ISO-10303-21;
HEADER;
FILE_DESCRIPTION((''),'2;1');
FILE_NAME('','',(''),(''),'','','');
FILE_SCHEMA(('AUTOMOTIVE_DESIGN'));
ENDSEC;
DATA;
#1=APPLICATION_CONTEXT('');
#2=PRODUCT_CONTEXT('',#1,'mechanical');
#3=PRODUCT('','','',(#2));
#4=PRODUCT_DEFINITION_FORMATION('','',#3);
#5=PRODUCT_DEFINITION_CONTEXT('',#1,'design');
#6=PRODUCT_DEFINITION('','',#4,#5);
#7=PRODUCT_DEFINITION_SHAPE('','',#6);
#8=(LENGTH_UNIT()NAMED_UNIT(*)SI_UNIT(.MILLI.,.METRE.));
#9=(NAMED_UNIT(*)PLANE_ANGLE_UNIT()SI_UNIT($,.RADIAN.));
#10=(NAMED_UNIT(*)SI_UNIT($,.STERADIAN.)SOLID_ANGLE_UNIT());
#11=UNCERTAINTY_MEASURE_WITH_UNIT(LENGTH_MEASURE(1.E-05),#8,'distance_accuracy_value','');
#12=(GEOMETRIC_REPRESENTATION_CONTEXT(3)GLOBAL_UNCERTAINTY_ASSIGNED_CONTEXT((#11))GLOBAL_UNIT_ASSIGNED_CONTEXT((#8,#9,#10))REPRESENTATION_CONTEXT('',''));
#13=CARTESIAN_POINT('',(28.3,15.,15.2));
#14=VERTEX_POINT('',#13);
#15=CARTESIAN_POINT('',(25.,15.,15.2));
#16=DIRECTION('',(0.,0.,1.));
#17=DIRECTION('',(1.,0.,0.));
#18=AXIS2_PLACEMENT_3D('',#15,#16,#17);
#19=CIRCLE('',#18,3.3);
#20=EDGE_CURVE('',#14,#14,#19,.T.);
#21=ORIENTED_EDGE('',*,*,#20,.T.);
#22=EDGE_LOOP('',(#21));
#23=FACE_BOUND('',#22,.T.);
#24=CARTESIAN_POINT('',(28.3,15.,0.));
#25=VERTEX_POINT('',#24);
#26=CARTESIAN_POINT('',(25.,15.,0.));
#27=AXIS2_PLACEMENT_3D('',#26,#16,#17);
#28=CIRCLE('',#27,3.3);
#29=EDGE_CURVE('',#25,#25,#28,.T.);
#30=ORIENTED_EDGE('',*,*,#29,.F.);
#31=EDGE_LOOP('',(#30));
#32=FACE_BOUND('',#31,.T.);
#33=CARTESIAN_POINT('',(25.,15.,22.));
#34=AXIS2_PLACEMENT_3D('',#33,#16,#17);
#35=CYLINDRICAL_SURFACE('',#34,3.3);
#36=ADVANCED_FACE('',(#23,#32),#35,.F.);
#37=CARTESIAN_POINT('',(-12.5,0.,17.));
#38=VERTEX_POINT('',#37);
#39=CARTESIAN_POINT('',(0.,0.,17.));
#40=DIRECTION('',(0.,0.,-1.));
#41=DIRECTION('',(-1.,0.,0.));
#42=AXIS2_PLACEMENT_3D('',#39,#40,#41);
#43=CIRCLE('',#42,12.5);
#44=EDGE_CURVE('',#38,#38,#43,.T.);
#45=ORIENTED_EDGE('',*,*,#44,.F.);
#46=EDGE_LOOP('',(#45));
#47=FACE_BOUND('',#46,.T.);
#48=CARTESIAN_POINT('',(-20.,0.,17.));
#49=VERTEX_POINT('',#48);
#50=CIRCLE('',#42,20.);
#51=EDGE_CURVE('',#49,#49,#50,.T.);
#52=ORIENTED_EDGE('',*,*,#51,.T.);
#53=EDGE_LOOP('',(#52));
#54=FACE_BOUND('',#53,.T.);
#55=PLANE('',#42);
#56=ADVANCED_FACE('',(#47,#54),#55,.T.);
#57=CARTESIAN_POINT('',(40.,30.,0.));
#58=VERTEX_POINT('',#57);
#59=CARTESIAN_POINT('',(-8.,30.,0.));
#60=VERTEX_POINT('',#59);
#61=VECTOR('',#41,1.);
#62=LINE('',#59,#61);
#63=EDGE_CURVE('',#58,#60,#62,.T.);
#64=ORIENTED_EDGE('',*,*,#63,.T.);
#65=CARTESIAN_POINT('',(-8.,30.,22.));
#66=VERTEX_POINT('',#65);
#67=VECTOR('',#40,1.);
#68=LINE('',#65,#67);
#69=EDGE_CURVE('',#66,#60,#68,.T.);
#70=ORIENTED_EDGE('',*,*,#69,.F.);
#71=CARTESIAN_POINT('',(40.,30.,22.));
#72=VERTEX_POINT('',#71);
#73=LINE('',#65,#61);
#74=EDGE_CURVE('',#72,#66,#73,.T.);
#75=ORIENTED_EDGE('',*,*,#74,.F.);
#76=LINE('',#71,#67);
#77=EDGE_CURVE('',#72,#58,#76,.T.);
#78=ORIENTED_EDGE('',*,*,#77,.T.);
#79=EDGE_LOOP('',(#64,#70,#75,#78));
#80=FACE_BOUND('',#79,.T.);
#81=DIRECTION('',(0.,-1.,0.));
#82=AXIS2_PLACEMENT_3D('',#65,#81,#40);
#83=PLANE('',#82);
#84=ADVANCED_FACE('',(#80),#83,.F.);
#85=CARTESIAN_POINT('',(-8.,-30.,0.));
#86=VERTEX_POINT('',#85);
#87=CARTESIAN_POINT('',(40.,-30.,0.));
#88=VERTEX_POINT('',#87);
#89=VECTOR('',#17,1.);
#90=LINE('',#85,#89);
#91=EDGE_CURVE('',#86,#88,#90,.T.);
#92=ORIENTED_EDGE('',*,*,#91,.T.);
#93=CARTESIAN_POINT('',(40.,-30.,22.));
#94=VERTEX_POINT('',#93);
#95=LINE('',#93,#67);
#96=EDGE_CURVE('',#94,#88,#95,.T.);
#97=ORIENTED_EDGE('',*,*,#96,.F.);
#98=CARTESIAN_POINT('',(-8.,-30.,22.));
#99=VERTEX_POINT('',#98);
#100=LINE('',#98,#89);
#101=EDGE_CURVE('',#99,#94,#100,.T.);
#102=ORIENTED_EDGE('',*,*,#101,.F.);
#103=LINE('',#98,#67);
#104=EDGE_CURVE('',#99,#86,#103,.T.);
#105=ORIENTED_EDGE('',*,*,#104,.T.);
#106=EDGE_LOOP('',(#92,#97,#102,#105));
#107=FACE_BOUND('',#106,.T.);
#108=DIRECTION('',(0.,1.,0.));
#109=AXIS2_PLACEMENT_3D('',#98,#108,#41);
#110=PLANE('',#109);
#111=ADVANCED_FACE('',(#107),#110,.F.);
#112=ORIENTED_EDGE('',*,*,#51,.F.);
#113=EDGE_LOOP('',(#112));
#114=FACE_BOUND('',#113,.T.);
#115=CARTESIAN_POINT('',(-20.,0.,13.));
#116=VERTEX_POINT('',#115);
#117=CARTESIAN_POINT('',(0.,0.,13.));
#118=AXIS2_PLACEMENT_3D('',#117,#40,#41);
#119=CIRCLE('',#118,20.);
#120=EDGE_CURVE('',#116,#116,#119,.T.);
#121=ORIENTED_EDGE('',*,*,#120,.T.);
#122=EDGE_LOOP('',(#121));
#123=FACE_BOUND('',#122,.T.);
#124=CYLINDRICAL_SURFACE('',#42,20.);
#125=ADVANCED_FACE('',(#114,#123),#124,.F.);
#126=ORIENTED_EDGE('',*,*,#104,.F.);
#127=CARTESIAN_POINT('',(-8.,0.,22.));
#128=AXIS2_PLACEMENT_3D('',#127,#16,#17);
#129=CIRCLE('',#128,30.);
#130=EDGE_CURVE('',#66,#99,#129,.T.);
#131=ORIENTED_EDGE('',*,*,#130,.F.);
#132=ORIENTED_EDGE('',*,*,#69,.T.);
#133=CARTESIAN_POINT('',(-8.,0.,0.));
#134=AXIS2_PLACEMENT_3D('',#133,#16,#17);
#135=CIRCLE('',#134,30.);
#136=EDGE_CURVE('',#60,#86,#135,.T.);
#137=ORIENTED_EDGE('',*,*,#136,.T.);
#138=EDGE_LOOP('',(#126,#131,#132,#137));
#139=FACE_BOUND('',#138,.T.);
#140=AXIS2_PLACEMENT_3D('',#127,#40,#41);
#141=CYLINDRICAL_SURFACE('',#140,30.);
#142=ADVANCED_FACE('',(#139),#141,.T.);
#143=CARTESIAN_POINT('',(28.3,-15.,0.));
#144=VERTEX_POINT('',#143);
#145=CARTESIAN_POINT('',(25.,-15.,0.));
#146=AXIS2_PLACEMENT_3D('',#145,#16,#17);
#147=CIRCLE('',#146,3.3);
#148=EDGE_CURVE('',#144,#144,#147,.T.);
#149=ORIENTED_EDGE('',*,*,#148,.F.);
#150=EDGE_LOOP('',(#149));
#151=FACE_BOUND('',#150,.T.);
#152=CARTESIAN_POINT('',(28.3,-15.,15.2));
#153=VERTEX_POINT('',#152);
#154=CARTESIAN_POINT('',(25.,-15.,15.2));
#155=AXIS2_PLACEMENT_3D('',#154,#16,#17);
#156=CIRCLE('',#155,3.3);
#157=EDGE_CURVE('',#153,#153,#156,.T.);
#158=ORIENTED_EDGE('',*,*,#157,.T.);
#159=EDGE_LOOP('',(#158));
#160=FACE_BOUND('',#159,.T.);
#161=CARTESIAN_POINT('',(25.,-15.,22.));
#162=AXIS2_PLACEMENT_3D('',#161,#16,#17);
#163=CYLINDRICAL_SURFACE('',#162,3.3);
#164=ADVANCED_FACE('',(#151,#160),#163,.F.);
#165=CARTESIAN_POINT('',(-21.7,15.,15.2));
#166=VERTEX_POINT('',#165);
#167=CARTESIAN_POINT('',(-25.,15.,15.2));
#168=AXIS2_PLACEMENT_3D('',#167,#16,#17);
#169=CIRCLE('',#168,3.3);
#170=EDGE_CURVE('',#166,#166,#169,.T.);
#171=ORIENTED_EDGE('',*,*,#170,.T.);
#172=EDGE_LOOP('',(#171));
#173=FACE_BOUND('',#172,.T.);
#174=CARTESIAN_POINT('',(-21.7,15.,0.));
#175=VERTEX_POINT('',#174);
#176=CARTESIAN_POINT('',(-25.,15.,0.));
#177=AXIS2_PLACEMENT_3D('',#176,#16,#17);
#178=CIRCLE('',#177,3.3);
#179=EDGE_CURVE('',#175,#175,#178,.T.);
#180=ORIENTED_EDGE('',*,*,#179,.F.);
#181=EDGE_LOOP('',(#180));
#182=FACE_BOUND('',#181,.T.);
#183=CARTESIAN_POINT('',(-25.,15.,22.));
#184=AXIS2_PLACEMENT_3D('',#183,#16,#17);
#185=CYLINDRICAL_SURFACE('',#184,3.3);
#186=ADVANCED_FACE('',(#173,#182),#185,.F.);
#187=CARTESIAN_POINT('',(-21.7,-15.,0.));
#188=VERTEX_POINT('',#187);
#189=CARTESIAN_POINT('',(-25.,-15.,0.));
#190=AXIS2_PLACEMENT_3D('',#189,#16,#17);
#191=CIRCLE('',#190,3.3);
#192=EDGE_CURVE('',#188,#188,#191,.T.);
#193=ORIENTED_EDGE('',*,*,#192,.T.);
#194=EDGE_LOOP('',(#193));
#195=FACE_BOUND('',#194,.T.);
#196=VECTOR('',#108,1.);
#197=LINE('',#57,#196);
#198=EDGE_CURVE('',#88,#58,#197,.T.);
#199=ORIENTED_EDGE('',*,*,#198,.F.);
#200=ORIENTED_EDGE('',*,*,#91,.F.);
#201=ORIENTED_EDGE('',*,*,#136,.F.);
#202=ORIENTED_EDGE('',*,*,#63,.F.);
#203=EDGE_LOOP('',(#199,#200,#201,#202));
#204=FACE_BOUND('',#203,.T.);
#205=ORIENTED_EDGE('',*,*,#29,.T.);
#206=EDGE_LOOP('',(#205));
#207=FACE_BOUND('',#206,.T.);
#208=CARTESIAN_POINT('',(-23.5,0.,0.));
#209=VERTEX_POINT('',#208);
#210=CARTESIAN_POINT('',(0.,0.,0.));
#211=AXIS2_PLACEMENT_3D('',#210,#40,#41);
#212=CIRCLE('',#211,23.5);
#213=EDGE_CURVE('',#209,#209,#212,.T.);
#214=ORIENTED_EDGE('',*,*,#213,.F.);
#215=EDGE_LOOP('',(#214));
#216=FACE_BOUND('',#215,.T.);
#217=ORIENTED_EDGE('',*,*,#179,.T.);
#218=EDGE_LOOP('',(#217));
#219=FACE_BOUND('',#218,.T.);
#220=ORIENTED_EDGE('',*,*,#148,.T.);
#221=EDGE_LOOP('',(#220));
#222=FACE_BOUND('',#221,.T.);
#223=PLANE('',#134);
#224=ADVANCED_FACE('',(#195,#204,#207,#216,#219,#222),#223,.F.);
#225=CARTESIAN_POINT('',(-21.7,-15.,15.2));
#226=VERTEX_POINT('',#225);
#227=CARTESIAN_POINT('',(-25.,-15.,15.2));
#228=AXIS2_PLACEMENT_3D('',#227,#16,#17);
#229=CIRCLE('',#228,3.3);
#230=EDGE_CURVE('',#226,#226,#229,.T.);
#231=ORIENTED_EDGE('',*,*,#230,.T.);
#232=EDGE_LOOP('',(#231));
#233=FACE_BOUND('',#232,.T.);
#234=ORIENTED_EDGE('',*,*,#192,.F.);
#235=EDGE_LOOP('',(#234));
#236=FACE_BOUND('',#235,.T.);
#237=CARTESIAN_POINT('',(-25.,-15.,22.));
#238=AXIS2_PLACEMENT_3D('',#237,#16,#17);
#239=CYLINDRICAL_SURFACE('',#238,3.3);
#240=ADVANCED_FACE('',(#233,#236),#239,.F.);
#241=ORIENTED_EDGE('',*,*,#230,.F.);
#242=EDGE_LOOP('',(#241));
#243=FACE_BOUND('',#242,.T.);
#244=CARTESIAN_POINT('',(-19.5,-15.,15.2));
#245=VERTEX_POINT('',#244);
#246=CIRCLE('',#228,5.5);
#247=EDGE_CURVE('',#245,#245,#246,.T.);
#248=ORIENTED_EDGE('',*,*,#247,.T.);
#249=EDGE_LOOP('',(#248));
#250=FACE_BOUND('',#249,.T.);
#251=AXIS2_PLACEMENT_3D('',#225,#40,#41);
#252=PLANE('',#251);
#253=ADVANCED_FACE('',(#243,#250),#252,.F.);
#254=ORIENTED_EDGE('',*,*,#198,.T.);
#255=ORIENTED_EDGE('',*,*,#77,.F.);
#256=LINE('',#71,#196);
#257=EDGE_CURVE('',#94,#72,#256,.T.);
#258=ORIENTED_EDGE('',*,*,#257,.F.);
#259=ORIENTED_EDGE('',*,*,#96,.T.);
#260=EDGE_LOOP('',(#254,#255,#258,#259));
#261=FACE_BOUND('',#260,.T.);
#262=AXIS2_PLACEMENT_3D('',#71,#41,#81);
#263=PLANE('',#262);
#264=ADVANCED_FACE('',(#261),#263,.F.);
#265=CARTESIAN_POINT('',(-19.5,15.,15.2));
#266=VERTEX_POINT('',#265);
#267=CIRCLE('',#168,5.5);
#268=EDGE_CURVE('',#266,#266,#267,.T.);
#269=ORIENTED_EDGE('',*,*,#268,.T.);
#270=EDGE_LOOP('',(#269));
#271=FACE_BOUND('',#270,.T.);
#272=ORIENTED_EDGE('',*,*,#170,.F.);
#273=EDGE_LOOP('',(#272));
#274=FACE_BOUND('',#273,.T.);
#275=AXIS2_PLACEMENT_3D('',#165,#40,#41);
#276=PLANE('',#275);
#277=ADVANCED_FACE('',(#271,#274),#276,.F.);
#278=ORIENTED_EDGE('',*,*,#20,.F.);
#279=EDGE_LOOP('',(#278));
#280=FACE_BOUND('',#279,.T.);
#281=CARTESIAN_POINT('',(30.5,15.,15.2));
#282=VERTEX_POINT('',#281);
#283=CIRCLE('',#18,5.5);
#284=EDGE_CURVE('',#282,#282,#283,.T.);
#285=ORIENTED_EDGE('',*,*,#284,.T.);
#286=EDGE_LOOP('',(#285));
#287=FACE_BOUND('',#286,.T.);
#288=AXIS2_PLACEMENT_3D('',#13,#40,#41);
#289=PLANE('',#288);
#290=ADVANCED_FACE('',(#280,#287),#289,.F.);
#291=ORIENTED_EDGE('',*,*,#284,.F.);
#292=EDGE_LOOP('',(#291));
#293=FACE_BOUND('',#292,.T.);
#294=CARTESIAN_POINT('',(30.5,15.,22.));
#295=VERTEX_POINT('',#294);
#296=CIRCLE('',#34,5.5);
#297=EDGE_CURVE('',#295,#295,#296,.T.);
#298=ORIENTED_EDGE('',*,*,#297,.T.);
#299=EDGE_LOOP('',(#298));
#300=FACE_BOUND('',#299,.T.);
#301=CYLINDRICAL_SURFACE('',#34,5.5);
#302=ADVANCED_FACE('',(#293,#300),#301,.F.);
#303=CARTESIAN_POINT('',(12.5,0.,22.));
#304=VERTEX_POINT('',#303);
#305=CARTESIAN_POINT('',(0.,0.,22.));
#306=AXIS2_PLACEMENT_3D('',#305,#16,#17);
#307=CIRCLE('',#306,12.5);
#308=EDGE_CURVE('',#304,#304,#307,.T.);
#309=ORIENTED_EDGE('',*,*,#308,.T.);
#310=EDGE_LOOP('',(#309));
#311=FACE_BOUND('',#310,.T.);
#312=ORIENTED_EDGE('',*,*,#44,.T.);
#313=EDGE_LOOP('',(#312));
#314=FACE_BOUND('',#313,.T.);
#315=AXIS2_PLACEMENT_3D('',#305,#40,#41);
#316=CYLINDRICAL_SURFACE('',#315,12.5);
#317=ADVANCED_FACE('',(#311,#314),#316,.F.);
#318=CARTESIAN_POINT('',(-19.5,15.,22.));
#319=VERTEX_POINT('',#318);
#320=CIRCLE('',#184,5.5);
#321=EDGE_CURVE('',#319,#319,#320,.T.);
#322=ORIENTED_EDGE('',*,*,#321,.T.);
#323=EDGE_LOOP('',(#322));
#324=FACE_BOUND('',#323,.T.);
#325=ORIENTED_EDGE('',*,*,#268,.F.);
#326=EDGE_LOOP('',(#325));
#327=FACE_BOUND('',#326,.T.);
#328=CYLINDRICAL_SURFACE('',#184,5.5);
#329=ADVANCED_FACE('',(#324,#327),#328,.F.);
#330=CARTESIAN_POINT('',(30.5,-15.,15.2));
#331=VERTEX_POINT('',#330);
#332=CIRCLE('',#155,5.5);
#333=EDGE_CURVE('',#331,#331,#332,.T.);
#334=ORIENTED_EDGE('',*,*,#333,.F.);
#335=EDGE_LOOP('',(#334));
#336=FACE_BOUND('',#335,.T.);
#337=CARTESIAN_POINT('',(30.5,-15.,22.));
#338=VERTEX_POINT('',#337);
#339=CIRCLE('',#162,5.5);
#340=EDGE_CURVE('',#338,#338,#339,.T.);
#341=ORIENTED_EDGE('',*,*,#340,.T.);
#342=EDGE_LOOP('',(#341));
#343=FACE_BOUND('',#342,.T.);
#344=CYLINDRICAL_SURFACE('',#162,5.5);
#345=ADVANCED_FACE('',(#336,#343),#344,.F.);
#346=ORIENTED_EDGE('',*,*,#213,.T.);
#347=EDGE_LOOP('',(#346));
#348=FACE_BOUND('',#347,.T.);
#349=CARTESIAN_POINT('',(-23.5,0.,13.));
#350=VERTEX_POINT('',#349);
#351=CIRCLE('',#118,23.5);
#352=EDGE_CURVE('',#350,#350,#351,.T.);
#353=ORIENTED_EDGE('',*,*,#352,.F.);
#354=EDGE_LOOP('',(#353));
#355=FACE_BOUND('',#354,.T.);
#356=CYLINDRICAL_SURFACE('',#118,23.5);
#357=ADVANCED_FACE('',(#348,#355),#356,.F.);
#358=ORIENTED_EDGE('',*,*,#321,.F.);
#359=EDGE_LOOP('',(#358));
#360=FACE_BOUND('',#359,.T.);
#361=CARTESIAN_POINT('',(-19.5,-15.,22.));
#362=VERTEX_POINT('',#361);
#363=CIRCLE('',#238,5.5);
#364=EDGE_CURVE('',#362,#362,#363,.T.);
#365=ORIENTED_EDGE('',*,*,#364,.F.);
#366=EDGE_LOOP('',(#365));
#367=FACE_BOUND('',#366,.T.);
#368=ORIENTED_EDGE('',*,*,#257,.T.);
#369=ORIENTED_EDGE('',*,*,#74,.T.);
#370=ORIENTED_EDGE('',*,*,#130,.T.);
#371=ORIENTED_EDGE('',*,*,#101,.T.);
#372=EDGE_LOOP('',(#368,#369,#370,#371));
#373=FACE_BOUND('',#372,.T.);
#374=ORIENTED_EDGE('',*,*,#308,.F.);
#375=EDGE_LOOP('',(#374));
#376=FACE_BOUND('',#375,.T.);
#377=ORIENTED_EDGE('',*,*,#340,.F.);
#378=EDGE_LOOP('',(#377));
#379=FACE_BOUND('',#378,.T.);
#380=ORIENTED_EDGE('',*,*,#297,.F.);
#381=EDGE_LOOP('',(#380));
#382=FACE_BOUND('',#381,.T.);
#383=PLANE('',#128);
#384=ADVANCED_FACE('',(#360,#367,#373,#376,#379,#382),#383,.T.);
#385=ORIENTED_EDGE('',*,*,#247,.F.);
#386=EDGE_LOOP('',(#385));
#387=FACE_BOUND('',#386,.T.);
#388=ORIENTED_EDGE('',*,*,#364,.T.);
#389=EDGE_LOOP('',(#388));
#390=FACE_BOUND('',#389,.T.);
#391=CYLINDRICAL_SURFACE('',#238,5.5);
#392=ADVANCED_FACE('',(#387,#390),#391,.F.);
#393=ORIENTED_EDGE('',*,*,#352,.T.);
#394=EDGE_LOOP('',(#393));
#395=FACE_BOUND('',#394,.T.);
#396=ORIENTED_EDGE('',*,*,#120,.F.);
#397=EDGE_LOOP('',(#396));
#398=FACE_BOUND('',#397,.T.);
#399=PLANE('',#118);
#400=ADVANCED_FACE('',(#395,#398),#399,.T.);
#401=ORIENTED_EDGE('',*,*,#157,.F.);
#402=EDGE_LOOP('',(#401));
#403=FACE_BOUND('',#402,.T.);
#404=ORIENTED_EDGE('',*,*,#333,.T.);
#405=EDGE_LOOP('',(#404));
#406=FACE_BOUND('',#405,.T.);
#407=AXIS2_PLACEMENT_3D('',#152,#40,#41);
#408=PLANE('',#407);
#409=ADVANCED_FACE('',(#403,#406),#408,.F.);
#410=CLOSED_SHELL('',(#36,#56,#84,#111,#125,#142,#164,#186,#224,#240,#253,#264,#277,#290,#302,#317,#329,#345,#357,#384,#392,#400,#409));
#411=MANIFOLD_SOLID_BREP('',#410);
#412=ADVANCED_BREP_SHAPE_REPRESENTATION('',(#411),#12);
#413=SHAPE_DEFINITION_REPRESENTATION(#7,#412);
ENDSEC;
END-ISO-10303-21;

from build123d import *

# Parameters (mm, degrees)
SKETCH_1_R                = 12.5
EXTRUDE_1_DEPTH           = 22
HOLE_WIZARD_1_D           = 6.6
HOLE_WIZARD_1_CBORE_D     = 11
HOLE_WIZARD_1_CBORE_DEPTH = 6.8
SKETCH_5_R                = 23.5
CUT_EXTRUDE_1_DEPTH       = 13
SKETCH_6_R                = 20
CUT_EXTRUDE_2_DEPTH       = 4


with BuildPart() as part:
    # 草图1 → 凸台-拉伸1 (new body)
    with BuildSketch(Plane.XY):
        with BuildLine():
            Line((-8, 30), (40, 30))
            Line((40, 30), (40, -30))
            Line((40, -30), (-8, -30))
            ThreePointArc((-8, -30), (-38, 0), (-8, 30))
        make_face()
        Circle(SKETCH_1_R, mode=Mode.SUBTRACT)
    extrude(amount=EXTRUDE_1_DEPTH)

    # 打孔尺寸(%根据)内六角圆柱头螺钉的类型1 (through all)
    with Locations(Plane(origin=(-25, 15, 22), x_dir=(1, 0, 0), z_dir=(0, 0, 1))):
        with Locations((0, 0), (0, -30), (50, 0), (50, -30)):
            CounterBoreHole(HOLE_WIZARD_1_D / 2, HOLE_WIZARD_1_CBORE_D / 2, HOLE_WIZARD_1_CBORE_DEPTH)

    # 草图5 → 切除-拉伸1 (cut)
    with BuildSketch(Plane(origin=(0, 0, 0), x_dir=(-1, 0, 0), z_dir=(0, 0, -1))):
        Circle(SKETCH_5_R)
    extrude(amount=-CUT_EXTRUDE_1_DEPTH, mode=Mode.SUBTRACT)

    # 草图6 → 切除-拉伸2 (cut)
    with BuildSketch(Plane(origin=(0, 0, 13), x_dir=(-1, 0, 0), z_dir=(0, 0, -1))):
        Circle(SKETCH_6_R)
    extrude(amount=-CUT_EXTRUDE_2_DEPTH, mode=Mode.SUBTRACT)


solid = part.part
